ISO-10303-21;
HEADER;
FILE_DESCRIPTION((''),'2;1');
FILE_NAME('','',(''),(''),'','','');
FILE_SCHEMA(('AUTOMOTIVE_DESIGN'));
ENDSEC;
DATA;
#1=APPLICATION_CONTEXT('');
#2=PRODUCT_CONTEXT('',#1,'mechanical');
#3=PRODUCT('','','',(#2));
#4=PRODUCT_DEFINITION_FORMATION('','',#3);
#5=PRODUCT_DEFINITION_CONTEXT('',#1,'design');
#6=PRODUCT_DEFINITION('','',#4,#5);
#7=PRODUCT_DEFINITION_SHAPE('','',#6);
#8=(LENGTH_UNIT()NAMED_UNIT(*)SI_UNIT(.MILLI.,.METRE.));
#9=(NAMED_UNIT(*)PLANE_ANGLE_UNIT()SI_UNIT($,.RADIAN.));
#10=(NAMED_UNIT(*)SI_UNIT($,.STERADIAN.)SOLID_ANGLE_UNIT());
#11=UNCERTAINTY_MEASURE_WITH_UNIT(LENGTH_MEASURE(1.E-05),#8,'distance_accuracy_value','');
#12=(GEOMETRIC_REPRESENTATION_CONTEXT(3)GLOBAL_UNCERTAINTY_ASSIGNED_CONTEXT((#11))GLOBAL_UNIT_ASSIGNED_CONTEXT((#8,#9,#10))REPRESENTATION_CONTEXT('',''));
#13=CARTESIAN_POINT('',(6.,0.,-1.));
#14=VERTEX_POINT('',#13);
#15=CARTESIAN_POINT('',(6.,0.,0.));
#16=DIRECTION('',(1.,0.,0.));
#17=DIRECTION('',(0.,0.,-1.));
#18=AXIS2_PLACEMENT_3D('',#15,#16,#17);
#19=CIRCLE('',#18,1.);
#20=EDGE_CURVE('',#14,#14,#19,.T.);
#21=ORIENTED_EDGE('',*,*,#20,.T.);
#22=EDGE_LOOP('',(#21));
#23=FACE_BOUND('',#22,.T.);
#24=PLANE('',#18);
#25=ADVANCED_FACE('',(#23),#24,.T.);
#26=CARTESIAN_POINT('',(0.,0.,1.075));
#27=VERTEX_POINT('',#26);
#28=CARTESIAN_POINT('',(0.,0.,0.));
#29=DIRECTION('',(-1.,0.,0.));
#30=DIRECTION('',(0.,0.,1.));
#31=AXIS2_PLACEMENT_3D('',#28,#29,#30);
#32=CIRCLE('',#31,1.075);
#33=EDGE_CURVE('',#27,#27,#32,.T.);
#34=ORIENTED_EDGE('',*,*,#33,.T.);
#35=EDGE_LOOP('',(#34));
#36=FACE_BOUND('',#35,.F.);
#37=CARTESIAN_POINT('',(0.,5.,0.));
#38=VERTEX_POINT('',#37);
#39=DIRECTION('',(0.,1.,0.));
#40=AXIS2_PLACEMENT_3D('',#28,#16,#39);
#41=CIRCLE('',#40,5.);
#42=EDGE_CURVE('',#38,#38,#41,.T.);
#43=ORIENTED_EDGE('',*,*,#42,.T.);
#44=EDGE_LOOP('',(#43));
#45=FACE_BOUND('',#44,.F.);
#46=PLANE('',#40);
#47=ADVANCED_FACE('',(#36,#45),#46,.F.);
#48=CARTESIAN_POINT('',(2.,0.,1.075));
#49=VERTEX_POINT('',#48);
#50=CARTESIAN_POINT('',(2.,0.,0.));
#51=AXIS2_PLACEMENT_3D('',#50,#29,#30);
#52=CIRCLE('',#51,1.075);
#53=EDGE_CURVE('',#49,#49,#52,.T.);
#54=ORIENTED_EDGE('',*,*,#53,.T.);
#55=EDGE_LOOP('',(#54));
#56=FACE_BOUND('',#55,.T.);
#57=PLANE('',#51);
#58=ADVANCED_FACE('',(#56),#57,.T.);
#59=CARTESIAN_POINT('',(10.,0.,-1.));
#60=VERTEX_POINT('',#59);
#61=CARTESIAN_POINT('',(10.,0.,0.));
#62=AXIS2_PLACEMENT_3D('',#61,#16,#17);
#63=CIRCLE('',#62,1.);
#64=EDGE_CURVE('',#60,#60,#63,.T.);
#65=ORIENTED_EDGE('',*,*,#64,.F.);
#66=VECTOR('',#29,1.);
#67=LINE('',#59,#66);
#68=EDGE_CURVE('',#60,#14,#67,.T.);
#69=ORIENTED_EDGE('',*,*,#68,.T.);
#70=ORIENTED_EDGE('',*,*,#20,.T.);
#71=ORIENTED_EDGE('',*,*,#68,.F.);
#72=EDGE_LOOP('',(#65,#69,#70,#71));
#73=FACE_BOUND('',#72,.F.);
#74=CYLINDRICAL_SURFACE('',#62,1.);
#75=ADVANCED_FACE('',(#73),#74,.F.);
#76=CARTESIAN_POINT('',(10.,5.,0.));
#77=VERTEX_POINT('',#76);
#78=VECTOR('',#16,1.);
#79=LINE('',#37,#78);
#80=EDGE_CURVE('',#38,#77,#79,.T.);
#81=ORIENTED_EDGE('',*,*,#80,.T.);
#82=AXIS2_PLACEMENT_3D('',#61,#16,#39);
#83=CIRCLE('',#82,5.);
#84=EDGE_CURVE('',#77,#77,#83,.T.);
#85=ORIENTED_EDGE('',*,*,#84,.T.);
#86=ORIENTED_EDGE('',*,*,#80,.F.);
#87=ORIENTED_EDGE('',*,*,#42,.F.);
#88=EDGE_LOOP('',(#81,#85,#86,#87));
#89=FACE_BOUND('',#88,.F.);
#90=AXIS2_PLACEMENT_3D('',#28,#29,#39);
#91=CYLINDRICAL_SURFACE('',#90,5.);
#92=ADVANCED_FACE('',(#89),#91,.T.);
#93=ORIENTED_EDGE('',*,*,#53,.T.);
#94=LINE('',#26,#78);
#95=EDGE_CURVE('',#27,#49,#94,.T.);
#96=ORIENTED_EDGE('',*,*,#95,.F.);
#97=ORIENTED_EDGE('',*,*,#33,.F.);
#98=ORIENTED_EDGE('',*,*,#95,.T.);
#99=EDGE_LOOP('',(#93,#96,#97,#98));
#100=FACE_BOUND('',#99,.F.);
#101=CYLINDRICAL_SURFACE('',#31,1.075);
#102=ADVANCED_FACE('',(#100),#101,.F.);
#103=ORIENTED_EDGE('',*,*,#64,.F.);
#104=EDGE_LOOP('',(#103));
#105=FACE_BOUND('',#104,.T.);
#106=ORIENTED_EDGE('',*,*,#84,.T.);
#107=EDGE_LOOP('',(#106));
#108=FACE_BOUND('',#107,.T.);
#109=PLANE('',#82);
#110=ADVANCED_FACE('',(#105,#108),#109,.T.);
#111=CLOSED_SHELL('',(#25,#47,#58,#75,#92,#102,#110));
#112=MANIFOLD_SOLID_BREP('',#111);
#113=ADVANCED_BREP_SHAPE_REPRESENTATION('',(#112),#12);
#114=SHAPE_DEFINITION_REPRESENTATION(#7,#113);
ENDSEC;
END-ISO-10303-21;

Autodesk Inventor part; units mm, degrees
ref_plane "YZ Plane" through (0, 0, 0) normal (1, 0, 0) x (0, 1, 0)
ref_plane "XZ Plane" through (0, 0, 0) normal (0, 1, 0) x (-1, 0, 0)
ref_plane "XY Plane" through (0, 0, 0) normal (0, 0, 1) x (1, 0, 0)
sketch "Эскиз1" plane through (0, 0, 0) normal (1, 0, 0) x (0, 1, 0)
  circle A0 centre (0, 0) radius 5
  dimension "d0" = 10
extrude "Выдавливание1" add sketch "Эскиз1" along normal blind 10
sketch "Эскиз2" plane through (0, 0, 0) normal (-1, 0, 0) x (0, 0, 1)
  circle A0 centre (0, 0) radius 1.075
  dimension "d3" = 2.15
extrude "Выдавливание2" cut sketch "Эскиз2" against normal blind 2
sketch "Эскиз4" plane through (10, 0, 0) normal (1, 0, 0) x (0, 0, -1)
  circle A0 centre (0, 0) radius 1
  dimension "d6" = 2
extrude "Выдавливание3" cut sketch "Эскиз4" against normal blind 4
properties part number "креплениекамеры"
